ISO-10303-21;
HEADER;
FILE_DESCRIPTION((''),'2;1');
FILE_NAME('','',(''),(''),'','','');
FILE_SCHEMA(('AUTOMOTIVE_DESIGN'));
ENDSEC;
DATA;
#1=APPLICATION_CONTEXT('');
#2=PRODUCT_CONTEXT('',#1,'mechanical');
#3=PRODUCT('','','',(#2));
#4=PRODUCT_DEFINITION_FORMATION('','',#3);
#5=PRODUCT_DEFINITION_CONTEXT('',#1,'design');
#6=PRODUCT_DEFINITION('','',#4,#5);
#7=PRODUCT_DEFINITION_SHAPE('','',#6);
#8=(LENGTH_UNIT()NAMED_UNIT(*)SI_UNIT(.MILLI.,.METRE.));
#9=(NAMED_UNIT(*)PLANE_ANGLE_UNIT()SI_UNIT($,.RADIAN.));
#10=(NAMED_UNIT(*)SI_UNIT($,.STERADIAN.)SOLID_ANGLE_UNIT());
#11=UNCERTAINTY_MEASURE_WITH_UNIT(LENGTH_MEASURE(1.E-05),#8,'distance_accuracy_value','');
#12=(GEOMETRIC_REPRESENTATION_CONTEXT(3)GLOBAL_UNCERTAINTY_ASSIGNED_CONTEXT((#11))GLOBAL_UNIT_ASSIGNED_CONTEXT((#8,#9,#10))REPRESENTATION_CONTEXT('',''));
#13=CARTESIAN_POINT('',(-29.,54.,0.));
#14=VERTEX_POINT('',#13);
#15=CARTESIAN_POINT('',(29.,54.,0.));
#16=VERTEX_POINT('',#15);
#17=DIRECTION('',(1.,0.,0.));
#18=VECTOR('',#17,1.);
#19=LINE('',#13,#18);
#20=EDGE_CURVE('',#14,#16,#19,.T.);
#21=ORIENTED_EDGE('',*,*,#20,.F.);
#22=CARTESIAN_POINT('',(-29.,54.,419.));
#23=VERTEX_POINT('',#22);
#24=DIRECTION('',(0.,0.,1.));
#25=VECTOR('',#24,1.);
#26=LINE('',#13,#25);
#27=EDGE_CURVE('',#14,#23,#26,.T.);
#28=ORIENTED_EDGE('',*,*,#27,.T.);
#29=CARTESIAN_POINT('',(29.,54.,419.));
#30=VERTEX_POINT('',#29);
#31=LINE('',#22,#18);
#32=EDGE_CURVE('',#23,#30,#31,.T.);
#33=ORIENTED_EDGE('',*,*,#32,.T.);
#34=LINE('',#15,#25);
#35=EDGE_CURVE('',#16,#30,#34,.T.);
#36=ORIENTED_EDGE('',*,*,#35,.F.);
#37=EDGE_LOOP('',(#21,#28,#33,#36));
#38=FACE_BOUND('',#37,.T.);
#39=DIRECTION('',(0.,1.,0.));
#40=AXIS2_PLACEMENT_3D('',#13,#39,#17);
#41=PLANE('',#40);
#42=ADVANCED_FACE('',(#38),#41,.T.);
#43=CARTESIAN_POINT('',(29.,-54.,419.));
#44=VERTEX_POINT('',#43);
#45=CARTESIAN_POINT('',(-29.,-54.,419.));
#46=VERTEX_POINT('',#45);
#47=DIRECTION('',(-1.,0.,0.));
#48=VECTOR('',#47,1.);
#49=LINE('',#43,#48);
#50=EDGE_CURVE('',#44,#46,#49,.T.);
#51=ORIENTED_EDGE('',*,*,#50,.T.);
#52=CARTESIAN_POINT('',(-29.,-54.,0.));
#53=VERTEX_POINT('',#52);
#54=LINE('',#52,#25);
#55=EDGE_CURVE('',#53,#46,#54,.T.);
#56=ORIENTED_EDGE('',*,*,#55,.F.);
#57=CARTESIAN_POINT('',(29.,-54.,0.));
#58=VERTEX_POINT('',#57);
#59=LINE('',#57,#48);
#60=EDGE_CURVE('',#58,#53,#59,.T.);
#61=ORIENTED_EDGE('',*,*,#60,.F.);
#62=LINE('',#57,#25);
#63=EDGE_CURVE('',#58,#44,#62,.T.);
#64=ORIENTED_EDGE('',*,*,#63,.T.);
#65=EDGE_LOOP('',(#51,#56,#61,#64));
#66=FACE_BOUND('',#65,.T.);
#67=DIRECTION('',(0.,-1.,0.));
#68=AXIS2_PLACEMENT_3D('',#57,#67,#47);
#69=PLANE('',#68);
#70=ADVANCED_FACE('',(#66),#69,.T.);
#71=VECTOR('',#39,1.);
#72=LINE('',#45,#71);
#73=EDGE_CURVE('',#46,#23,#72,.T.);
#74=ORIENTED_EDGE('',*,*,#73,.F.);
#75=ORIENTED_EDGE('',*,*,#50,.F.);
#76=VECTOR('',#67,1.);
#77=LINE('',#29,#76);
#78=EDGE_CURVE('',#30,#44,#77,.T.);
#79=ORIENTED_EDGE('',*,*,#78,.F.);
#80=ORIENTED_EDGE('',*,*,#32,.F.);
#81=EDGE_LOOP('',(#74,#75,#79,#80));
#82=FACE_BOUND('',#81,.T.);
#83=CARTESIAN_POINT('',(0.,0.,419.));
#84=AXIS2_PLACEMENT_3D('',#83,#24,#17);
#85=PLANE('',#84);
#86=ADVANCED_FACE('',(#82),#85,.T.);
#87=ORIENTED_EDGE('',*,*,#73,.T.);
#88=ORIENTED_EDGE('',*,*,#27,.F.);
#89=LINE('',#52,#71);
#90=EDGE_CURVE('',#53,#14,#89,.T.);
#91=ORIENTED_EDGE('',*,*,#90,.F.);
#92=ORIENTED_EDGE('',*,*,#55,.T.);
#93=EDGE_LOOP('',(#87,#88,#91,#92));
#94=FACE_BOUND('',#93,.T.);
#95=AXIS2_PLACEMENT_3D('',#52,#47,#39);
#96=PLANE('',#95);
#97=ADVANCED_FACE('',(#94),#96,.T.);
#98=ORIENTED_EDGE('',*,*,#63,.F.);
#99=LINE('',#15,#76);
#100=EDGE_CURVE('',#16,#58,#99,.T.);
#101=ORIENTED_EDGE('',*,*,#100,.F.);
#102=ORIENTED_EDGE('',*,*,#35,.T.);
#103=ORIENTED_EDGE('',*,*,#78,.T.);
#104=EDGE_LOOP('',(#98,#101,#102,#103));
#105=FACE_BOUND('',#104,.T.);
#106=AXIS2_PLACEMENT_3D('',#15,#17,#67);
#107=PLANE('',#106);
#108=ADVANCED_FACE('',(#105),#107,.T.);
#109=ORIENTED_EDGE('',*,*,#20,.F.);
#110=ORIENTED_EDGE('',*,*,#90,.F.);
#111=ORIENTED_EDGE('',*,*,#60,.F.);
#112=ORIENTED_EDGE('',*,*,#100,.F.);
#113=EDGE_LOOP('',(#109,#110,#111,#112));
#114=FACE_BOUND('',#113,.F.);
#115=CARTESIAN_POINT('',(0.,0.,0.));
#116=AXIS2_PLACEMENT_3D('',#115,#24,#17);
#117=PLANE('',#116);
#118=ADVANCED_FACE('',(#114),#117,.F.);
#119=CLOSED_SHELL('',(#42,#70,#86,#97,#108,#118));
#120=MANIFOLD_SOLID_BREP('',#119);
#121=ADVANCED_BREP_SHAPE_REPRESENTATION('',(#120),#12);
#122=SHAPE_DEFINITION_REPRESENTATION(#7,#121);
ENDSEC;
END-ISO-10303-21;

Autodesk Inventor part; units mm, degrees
ref_plane "YZ Plane" through (0, 0, 0) normal (1, 0, 0) x (0, 1, 0)
ref_plane "XZ Plane" through (0, 0, 0) normal (0, 1, 0) x (-1, 0, 0)
ref_plane "XY Plane" through (0, 0, 0) normal (0, 0, 1) x (1, 0, 0)
sketch "Sketch1" plane through (0, 0, 0) normal (0, 0, 1) x (1, 0, 0)
  line L0 (29, -54) -> (-29, -54)
  line L1 (-29, -54) -> (-29, 54)
  line L2 (-29, 54) -> (29, 54)
  line L3 (29, 54) -> (29, -54)
  line L4 (29, -54) -> (-29, 54) construction
  line L5 (-29, -54) -> (29, 54) construction
  point P0 (0, 0)
  dimension "d0" = 58
  dimension "d1" = 108
extrude "Extrusion1" add sketch "Sketch1" along normal blind 419
equation "\"d0\" = lumberWidth"
equation "\"d1\" = lumberDepth"
equation "\"d2\" = -2 * frameOverhang + counterDepth - 2 * lumberWidth"
equation "\"lumberWidth\" = 58"
equation "\"lumberDepth\" = 108"
equation "\"counterThickness\" = 38"
equation "\"counterHeight\" = 858"
equation "\"counterDepth\" = 635"
equation "\"frameOverhang\" = 50"
properties part number "frameDepth" material "Wood (Birch)"
